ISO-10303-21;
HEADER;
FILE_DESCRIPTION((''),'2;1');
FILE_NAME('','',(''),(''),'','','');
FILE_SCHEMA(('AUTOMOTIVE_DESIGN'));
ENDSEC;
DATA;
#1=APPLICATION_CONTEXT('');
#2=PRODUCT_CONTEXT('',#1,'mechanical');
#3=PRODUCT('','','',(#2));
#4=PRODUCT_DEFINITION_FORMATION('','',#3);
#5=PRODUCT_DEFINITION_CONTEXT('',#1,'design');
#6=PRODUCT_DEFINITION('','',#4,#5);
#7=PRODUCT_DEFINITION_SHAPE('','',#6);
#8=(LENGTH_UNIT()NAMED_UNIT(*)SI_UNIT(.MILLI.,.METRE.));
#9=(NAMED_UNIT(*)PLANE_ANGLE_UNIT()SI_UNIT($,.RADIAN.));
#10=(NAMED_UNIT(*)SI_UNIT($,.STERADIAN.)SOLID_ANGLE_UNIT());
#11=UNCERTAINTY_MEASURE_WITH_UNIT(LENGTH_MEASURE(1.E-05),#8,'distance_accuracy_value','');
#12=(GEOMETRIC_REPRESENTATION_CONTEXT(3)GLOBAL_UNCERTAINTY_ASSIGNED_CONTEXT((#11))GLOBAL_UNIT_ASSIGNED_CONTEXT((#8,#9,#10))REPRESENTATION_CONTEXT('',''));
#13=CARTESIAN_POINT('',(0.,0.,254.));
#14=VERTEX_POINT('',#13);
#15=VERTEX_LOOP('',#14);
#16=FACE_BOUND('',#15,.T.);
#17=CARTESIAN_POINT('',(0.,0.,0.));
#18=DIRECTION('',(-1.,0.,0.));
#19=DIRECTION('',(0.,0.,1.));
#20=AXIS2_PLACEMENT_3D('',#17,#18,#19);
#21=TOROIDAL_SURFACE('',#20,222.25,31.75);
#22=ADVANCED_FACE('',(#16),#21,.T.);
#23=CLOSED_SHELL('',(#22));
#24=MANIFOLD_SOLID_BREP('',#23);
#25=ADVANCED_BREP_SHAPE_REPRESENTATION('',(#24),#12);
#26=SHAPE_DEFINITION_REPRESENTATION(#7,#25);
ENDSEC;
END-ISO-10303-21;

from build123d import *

# Parameters (mm, degrees)
SKETCH1_R = 31.75


with BuildPart() as part:
    # Sketch1 → Revolve1 (revolve)
    with BuildSketch(Plane.XY, mode=Mode.PRIVATE) as revolve1_sk:
        with Locations((0, 222.25)):
            Circle(SKETCH1_R)
    revolve(revolve1_sk.sketch.rotate(Axis((0, 0, 0), (1, 0, 0)), 90), axis=Axis((0, 0, 0), (1, 0, 0)))


solid = part.part
